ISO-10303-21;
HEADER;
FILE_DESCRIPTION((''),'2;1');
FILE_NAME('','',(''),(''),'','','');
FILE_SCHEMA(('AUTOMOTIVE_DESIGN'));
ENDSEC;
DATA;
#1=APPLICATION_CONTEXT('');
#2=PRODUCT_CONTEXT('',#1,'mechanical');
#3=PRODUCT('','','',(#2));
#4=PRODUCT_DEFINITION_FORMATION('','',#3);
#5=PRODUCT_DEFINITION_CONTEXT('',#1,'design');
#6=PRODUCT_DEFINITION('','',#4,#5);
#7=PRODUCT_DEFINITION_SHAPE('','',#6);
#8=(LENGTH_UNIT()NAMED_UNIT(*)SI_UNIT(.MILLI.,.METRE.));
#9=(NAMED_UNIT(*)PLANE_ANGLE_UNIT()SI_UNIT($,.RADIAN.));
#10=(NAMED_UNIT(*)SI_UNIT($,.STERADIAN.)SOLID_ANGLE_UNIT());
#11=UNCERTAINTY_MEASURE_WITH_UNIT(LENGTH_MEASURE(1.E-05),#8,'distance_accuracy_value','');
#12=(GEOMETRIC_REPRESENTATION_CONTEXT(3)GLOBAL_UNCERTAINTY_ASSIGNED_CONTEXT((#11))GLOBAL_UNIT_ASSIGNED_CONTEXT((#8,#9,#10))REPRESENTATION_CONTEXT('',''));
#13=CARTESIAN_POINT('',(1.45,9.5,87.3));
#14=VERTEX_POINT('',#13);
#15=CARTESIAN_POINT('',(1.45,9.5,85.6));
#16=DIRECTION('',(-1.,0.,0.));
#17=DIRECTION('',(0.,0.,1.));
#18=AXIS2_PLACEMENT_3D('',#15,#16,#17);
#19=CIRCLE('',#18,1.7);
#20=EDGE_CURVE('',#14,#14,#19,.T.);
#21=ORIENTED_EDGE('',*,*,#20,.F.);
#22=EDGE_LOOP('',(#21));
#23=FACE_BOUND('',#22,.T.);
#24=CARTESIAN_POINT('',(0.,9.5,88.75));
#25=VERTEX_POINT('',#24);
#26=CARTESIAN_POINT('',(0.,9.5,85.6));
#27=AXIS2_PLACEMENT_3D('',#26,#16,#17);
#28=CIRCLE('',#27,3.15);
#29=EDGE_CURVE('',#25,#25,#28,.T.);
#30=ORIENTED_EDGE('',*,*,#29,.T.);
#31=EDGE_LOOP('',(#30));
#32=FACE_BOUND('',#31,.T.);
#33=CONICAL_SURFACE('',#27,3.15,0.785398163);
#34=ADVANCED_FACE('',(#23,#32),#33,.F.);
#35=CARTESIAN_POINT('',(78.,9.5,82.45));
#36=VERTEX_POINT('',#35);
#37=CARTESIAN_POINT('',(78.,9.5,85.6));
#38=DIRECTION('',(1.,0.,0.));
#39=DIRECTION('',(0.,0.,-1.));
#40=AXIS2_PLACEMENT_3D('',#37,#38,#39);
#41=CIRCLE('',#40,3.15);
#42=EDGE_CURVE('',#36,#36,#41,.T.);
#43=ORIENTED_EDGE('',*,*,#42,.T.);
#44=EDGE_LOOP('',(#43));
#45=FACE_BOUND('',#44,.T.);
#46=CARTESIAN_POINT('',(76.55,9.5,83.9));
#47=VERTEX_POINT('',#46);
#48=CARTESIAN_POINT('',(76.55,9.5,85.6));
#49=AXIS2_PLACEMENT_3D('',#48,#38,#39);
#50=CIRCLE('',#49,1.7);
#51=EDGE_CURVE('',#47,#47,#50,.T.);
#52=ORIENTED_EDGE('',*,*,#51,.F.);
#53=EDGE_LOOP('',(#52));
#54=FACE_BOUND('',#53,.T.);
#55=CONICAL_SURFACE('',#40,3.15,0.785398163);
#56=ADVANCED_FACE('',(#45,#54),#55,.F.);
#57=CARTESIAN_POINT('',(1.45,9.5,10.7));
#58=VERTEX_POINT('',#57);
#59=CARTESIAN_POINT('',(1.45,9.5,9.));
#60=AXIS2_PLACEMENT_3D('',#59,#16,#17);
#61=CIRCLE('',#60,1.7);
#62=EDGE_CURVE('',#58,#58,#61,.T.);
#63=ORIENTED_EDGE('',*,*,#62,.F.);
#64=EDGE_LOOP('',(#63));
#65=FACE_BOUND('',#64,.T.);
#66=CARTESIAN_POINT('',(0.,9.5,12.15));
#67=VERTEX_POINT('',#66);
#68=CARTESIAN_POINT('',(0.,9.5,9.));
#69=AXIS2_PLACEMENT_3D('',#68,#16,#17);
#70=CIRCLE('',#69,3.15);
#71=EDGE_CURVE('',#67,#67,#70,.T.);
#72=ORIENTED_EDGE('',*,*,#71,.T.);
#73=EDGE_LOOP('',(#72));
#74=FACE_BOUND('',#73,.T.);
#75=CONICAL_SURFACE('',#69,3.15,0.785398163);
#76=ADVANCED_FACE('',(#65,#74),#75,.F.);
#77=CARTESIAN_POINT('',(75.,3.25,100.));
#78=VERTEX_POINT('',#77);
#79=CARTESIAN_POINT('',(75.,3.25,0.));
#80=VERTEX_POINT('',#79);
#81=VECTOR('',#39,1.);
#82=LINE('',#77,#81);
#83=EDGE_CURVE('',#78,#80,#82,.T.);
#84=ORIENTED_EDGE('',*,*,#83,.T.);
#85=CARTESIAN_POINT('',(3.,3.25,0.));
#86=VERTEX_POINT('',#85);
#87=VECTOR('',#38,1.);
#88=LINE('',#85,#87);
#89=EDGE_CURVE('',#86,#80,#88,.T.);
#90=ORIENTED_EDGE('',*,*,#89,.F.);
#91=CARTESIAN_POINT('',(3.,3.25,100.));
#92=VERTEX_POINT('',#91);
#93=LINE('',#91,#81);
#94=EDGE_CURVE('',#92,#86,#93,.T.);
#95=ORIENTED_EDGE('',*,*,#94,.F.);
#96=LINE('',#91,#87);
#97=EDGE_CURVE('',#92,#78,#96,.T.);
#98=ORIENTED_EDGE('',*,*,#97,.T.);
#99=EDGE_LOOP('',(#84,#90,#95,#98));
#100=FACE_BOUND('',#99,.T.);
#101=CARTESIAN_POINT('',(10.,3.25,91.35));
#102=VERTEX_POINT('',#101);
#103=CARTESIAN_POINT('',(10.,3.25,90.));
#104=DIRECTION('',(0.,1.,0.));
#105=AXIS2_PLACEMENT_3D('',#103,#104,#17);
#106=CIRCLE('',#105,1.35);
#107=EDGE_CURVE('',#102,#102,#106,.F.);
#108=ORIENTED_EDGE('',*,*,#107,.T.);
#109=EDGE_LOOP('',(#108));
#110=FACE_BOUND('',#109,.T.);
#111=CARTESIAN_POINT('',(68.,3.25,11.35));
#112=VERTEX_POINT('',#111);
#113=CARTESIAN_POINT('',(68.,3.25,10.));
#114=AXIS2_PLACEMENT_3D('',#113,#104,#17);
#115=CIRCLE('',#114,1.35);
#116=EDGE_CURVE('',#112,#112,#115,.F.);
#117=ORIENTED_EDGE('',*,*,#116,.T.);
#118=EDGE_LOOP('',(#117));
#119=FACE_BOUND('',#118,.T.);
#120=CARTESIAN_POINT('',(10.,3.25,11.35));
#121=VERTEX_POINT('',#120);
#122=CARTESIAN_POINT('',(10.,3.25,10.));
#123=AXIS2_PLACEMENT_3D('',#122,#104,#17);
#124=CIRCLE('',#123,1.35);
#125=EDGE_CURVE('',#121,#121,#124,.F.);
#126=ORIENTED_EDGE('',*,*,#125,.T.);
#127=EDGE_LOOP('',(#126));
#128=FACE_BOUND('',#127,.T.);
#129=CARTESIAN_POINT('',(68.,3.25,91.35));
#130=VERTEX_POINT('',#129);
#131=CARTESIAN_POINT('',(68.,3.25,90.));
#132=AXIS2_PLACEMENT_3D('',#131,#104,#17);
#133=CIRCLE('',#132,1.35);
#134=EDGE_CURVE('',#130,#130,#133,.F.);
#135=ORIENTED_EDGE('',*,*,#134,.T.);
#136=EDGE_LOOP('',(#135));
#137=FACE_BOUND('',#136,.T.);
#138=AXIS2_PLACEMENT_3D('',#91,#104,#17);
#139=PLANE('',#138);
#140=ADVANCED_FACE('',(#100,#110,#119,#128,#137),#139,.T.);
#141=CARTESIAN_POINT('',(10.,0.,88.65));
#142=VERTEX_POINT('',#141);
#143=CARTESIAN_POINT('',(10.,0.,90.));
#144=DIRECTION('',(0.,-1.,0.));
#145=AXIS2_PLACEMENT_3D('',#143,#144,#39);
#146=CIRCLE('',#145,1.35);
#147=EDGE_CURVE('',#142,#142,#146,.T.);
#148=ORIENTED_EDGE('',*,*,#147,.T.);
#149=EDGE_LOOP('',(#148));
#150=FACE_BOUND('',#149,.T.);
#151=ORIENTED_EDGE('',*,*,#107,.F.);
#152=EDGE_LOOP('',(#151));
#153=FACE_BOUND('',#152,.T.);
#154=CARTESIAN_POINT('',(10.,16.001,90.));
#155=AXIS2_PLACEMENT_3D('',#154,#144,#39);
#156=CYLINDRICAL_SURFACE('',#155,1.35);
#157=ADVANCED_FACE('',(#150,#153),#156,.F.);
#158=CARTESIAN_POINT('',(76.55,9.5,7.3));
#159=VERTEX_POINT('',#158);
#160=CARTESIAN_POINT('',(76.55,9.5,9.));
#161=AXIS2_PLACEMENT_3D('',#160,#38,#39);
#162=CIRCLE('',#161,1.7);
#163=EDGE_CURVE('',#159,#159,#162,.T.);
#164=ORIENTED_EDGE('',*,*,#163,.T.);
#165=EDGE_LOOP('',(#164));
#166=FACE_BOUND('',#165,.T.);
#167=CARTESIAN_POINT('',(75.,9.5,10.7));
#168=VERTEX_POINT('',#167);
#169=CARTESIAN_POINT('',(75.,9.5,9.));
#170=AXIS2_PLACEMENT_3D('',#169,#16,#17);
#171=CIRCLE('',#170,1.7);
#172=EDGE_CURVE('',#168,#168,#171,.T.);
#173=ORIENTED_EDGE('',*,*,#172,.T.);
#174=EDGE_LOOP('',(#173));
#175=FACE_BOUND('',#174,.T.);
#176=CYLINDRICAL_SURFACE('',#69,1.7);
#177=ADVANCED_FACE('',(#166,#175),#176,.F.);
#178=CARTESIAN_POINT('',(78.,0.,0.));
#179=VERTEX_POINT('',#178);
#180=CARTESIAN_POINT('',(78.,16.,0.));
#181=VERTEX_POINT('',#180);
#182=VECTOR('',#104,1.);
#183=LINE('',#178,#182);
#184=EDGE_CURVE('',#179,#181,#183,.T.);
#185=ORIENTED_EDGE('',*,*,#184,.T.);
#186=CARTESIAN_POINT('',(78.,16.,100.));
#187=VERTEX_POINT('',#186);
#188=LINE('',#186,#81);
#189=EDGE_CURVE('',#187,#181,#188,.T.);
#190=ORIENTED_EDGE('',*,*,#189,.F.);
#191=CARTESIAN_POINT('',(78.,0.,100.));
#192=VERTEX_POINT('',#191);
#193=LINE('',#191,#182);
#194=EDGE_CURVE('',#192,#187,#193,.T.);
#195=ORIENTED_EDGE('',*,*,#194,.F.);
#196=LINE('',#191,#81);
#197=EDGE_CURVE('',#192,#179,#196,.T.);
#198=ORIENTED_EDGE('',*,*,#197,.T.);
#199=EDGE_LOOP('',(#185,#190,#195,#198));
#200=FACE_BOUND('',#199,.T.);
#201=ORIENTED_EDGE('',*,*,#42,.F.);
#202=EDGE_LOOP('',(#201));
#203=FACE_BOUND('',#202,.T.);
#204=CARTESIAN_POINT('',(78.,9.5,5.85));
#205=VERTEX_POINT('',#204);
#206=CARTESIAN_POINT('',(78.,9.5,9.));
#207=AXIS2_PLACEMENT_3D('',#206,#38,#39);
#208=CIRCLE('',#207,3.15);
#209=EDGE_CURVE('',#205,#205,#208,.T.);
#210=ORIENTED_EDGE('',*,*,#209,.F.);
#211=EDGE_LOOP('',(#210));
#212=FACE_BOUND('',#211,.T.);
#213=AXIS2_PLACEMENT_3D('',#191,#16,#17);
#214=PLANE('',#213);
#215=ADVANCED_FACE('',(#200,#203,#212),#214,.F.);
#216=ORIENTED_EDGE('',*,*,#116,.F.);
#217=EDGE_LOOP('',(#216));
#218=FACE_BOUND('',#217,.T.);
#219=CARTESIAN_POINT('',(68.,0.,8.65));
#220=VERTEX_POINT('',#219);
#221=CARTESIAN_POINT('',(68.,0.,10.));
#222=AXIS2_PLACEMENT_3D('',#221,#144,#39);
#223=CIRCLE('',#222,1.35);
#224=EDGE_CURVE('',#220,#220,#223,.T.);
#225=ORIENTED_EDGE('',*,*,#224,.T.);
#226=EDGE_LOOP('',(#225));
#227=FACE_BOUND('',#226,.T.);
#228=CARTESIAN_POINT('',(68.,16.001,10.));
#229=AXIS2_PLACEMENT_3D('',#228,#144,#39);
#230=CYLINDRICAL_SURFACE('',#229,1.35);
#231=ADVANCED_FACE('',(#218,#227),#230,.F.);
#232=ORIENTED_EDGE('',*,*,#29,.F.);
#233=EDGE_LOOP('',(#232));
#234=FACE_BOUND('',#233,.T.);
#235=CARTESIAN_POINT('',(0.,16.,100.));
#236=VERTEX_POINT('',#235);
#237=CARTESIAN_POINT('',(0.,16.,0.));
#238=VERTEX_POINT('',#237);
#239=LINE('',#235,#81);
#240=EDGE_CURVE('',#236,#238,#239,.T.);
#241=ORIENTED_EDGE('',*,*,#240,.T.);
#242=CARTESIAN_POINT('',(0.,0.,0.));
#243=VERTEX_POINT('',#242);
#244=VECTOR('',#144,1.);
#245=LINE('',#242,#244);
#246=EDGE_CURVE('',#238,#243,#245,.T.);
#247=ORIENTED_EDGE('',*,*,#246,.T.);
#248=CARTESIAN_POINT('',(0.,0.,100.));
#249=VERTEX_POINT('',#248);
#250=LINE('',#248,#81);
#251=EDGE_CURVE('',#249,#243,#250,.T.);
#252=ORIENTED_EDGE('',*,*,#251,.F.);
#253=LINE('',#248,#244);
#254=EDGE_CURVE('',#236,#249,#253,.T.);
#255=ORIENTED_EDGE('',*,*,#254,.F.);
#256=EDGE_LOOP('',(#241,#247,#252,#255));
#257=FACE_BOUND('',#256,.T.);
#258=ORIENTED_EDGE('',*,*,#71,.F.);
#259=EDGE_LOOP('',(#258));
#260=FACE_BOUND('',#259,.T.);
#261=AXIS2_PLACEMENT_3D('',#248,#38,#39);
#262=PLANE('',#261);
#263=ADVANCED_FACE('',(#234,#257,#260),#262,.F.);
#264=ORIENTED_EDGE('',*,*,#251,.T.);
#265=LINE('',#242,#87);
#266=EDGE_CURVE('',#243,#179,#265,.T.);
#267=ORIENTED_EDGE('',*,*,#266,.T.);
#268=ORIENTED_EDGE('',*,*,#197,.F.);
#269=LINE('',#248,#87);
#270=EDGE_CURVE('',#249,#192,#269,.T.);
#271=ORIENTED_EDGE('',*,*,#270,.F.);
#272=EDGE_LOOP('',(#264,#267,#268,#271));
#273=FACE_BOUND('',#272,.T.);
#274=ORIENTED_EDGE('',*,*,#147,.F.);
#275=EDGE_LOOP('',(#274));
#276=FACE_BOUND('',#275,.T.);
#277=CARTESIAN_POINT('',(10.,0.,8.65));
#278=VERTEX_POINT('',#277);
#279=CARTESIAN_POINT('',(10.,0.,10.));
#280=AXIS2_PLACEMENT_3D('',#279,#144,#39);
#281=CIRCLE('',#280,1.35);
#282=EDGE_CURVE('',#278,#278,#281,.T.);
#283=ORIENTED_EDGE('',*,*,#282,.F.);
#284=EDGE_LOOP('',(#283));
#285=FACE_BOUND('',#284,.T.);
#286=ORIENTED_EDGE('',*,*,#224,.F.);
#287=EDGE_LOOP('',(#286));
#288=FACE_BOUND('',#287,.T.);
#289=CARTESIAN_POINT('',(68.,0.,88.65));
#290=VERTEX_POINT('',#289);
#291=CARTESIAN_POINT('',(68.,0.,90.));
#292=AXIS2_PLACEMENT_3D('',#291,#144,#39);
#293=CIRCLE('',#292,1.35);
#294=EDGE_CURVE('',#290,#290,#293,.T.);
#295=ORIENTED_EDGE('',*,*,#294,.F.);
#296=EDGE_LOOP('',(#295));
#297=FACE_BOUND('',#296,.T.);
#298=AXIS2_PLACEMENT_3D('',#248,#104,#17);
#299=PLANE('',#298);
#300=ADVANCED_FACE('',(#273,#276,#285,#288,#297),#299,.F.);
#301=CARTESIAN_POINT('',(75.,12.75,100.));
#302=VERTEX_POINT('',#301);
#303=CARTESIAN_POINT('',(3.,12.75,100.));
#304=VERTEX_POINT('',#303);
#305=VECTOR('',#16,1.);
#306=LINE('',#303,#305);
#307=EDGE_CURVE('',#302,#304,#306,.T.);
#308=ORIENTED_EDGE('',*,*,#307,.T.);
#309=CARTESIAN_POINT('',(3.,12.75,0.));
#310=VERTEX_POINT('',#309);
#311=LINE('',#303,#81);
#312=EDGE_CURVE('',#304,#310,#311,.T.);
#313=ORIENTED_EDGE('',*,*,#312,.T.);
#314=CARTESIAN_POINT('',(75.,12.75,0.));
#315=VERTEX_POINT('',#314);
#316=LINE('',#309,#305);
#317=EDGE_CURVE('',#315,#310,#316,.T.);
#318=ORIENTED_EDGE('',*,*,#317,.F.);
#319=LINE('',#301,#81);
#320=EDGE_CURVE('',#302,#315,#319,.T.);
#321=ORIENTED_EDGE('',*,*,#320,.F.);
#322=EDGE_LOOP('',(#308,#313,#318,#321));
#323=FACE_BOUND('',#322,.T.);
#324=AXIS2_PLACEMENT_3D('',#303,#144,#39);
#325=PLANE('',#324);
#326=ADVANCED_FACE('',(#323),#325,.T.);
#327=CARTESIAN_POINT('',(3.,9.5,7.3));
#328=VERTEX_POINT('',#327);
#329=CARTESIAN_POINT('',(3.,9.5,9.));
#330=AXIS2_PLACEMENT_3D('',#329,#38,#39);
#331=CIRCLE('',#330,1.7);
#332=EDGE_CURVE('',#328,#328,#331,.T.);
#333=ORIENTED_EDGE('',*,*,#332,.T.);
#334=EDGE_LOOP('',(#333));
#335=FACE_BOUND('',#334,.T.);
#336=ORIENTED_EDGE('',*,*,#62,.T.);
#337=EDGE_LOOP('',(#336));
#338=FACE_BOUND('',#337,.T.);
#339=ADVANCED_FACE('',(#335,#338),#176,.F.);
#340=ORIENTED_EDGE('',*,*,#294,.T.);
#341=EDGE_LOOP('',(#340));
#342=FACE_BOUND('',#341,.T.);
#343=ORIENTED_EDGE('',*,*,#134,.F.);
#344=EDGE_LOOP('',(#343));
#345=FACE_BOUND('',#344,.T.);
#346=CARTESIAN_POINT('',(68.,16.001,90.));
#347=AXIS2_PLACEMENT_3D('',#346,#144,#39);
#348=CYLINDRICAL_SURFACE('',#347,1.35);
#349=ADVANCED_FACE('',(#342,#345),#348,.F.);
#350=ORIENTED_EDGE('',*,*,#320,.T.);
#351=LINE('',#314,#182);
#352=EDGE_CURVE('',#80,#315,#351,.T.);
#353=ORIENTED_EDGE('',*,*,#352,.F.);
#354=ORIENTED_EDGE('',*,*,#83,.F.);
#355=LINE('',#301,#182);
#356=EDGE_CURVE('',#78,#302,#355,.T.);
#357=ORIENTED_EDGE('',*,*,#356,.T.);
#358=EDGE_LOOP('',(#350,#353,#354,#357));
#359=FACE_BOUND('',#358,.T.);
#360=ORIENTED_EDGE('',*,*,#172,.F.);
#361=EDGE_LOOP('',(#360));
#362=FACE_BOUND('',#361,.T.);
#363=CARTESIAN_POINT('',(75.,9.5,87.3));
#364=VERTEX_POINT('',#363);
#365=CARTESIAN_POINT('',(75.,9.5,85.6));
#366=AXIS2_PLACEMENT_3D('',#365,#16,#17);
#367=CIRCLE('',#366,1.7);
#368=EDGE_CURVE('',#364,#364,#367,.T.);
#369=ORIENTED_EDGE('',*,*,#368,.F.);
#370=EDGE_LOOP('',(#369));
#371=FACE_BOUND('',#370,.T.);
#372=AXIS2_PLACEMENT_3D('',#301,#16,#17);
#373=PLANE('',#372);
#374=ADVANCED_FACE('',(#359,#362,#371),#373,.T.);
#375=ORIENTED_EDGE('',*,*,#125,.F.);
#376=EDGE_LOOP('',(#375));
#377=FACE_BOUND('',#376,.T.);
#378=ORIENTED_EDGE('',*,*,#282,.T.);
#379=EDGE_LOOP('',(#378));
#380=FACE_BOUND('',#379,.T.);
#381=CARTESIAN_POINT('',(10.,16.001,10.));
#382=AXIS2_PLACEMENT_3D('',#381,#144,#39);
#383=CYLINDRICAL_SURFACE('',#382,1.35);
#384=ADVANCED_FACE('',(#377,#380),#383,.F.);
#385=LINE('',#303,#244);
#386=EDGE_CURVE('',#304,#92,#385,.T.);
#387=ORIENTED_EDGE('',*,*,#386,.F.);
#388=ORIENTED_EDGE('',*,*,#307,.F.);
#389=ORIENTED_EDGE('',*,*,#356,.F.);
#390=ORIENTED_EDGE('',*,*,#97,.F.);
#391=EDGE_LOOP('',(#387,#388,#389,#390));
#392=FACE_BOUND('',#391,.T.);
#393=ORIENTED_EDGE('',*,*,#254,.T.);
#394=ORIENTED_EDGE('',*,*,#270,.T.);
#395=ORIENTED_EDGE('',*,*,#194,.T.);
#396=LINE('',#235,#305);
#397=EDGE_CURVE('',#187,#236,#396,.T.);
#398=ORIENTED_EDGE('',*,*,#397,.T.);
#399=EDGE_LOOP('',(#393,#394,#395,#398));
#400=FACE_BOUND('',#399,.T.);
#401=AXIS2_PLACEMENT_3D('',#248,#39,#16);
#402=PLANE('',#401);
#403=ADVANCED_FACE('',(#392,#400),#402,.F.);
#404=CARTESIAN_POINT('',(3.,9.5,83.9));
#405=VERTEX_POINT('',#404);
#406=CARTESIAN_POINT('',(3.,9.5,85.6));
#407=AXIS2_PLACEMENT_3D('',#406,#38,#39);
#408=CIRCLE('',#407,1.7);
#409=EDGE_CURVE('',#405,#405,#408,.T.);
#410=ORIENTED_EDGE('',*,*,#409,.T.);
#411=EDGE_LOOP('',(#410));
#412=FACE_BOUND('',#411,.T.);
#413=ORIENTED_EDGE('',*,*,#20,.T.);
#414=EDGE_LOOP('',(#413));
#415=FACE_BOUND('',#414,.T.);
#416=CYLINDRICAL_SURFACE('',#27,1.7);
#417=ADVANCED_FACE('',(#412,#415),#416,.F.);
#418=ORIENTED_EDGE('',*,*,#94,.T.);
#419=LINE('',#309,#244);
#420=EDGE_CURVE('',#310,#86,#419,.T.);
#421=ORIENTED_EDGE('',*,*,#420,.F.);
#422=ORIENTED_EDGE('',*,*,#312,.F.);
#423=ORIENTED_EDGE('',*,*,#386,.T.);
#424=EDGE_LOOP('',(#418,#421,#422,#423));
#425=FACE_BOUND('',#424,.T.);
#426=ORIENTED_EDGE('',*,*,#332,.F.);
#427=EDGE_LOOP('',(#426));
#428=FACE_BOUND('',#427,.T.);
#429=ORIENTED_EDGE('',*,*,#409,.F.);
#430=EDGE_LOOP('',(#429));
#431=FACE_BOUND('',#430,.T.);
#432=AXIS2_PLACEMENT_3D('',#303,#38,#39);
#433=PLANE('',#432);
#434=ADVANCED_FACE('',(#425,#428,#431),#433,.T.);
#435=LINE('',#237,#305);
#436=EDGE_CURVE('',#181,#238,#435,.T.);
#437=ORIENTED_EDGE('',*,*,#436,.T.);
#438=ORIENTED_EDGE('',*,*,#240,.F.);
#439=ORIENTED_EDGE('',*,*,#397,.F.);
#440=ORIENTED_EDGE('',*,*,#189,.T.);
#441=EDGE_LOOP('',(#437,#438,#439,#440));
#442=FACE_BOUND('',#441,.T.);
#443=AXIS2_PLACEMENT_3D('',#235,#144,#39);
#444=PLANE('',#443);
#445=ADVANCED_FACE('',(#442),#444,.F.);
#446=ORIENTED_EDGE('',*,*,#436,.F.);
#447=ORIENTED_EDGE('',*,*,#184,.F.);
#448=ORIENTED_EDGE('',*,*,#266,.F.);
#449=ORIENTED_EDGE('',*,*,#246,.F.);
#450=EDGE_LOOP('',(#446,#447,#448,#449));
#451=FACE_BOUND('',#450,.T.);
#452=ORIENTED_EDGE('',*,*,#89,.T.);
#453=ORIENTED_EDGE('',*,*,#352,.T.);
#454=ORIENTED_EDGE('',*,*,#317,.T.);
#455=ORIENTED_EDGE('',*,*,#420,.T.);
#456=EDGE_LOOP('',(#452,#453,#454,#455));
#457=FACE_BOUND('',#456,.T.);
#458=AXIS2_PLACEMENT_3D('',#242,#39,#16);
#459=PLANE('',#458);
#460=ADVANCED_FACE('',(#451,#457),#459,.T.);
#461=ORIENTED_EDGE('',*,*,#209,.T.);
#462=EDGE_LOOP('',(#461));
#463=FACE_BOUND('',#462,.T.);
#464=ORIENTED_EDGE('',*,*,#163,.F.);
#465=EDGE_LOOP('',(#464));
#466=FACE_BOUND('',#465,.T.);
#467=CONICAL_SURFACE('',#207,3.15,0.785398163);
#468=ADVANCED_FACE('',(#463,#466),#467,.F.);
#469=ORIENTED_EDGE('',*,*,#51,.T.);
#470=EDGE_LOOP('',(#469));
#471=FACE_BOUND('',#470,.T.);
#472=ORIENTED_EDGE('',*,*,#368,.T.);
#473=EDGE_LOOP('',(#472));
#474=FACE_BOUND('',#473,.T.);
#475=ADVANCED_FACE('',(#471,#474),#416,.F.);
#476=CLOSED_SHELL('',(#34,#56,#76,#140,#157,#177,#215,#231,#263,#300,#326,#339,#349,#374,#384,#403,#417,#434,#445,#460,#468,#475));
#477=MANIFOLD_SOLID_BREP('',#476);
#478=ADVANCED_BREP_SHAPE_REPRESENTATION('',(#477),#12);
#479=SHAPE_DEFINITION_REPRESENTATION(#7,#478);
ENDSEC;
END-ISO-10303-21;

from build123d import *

# Parameters (mm, degrees)
MAIN_SKETCH_W                                  = 78
MAIN_SKETCH_H                                  = 16
MAIN_SKETCH_W_2                                = 72
MAIN_SKETCH_H_2                                = 9.5
MAIN_EXTRUSION_DEPTH                           = 100
FRAISAGE_POUR_VIS_T_TE_FRAIS_E_M31_D           = 3.4
FRAISAGE_POUR_VIS_T_TE_FRAIS_E_M31_CSINK_D     = 6.3
FRAISAGE_POUR_VIS_T_TE_FRAIS_E_M31_CSINK_ANGLE = 90
R_P_TITION_LIN_AIRE1_COUNT                     = 2
R_P_TITION_LIN_AIRE1_PITCH                     = 76.6
FRAISAGE_POUR_VIS_T_TE_FRAIS_E_M32_D           = 3.4
FRAISAGE_POUR_VIS_T_TE_FRAIS_E_M32_CSINK_D     = 6.3
FRAISAGE_POUR_VIS_T_TE_FRAIS_E_M32_CSINK_ANGLE = 90
R_P_TITION_LIN_AIRE3_COUNT                     = 2
R_P_TITION_LIN_AIRE3_PITCH                     = 76.5
FRAISAGE_POUR_VIS_T_TE_FRAIS_E_M33_D           = 3.4
FRAISAGE_POUR_VIS_T_TE_FRAIS_E_M33_CSINK_D     = 6.3
FRAISAGE_POUR_VIS_T_TE_FRAIS_E_M33_CSINK_ANGLE = 90
SUPPORT_FIX_HOLE_REACH                         = 18
SUPPORT_FIX_SKETCH_R                           = 1.35


with BuildPart() as part:
    # Main-Sketch → Main-Extrusion (new body)
    with BuildSketch(Plane.XY):
        with Locations((39, 8)):
            Rectangle(MAIN_SKETCH_W, MAIN_SKETCH_H)
        with Locations((39, 8)):
            Rectangle(MAIN_SKETCH_W_2, MAIN_SKETCH_H_2, mode=Mode.SUBTRACT)
    extrude(amount=MAIN_EXTRUSION_DEPTH)

    # Fraisage pour vis à tête fraisée M31 (through all)
    with Locations(Plane.ZY):
        with Locations((9, 9.5)):
            fraisage_pour_vis_t_te_frais_e_m31 = CounterSinkHole(FRAISAGE_POUR_VIS_T_TE_FRAIS_E_M31_D / 2, FRAISAGE_POUR_VIS_T_TE_FRAIS_E_M31_CSINK_D / 2, counter_sink_angle=FRAISAGE_POUR_VIS_T_TE_FRAIS_E_M31_CSINK_ANGLE)

    # Répétition linéaire1: Fraisage pour vis à tête fraisée M31 ×2
    with Locations(*[(0, 0, i * R_P_TITION_LIN_AIRE1_PITCH) for i in range(1, R_P_TITION_LIN_AIRE1_COUNT)]):
        add(fraisage_pour_vis_t_te_frais_e_m31, mode=Mode.SUBTRACT)

    # Fraisage pour vis à tête fraisée M32 (through all)
    with Locations(Plane(origin=(78, 0, 0), x_dir=(0, 0, -1), z_dir=(1, 0, 0))):
        with Locations((-85.6, 9.5)):
            fraisage_pour_vis_t_te_frais_e_m32 = CounterSinkHole(FRAISAGE_POUR_VIS_T_TE_FRAIS_E_M32_D / 2, FRAISAGE_POUR_VIS_T_TE_FRAIS_E_M32_CSINK_D / 2, counter_sink_angle=FRAISAGE_POUR_VIS_T_TE_FRAIS_E_M32_CSINK_ANGLE)

    # Répétition linéaire3: Fraisage pour vis à tête fraisée M32 ×2
    with Locations(*[(i * R_P_TITION_LIN_AIRE3_PITCH, 0, 0) for i in range(1, R_P_TITION_LIN_AIRE3_COUNT)]):
        add(fraisage_pour_vis_t_te_frais_e_m32, mode=Mode.SUBTRACT)

    # Fraisage pour vis à tête fraisée M33 (through all)
    with Locations(Plane(origin=(78, 0, 0), x_dir=(0, 0, -1), z_dir=(1, 0, 0))):
        with Locations((-9, 9.5)):
            CounterSinkHole(FRAISAGE_POUR_VIS_T_TE_FRAIS_E_M33_D / 2, FRAISAGE_POUR_VIS_T_TE_FRAIS_E_M33_CSINK_D / 2, counter_sink_angle=FRAISAGE_POUR_VIS_T_TE_FRAIS_E_M33_CSINK_ANGLE)

    # Support-Fix-Sketch → Support-Fix-Hole (cut, up to next)
    with BuildSketch(Plane.XZ, mode=Mode.PRIVATE) as support_fix_hole_sk1:
        with Locations((68, 90)):
            Circle(SUPPORT_FIX_SKETCH_R)
    support_fix_hole_tool1 = extrude(support_fix_hole_sk1.sketch, amount=-SUPPORT_FIX_HOLE_REACH, mode=Mode.PRIVATE) & part.part
    add(support_fix_hole_tool1.solids().sort_by_distance((68, 0, 90))[0], mode=Mode.SUBTRACT)
    # Support-Fix-Sketch → Support-Fix-Hole (cut, up to next)
    with BuildSketch(Plane.XZ, mode=Mode.PRIVATE) as support_fix_hole_sk2:
        with Locations((68, 10)):
            Circle(SUPPORT_FIX_SKETCH_R)
    support_fix_hole_tool2 = extrude(support_fix_hole_sk2.sketch, amount=-SUPPORT_FIX_HOLE_REACH, mode=Mode.PRIVATE) & part.part
    add(support_fix_hole_tool2.solids().sort_by_distance((68, 0, 10))[0], mode=Mode.SUBTRACT)
    # Support-Fix-Sketch → Support-Fix-Hole (cut, up to next)
    with BuildSketch(Plane.XZ, mode=Mode.PRIVATE) as support_fix_hole_sk3:
        with Locations((10, 10)):
            Circle(SUPPORT_FIX_SKETCH_R)
    support_fix_hole_tool3 = extrude(support_fix_hole_sk3.sketch, amount=-SUPPORT_FIX_HOLE_REACH, mode=Mode.PRIVATE) & part.part
    add(support_fix_hole_tool3.solids().sort_by_distance((10, 0, 10))[0], mode=Mode.SUBTRACT)
    # Support-Fix-Sketch → Support-Fix-Hole (cut, up to next)
    with BuildSketch(Plane.XZ, mode=Mode.PRIVATE) as support_fix_hole_sk4:
        with Locations((10, 90)):
            Circle(SUPPORT_FIX_SKETCH_R)
    support_fix_hole_tool4 = extrude(support_fix_hole_sk4.sketch, amount=-SUPPORT_FIX_HOLE_REACH, mode=Mode.PRIVATE) & part.part
    add(support_fix_hole_tool4.solids().sort_by_distance((10, 0, 90))[0], mode=Mode.SUBTRACT)


solid = part.part
